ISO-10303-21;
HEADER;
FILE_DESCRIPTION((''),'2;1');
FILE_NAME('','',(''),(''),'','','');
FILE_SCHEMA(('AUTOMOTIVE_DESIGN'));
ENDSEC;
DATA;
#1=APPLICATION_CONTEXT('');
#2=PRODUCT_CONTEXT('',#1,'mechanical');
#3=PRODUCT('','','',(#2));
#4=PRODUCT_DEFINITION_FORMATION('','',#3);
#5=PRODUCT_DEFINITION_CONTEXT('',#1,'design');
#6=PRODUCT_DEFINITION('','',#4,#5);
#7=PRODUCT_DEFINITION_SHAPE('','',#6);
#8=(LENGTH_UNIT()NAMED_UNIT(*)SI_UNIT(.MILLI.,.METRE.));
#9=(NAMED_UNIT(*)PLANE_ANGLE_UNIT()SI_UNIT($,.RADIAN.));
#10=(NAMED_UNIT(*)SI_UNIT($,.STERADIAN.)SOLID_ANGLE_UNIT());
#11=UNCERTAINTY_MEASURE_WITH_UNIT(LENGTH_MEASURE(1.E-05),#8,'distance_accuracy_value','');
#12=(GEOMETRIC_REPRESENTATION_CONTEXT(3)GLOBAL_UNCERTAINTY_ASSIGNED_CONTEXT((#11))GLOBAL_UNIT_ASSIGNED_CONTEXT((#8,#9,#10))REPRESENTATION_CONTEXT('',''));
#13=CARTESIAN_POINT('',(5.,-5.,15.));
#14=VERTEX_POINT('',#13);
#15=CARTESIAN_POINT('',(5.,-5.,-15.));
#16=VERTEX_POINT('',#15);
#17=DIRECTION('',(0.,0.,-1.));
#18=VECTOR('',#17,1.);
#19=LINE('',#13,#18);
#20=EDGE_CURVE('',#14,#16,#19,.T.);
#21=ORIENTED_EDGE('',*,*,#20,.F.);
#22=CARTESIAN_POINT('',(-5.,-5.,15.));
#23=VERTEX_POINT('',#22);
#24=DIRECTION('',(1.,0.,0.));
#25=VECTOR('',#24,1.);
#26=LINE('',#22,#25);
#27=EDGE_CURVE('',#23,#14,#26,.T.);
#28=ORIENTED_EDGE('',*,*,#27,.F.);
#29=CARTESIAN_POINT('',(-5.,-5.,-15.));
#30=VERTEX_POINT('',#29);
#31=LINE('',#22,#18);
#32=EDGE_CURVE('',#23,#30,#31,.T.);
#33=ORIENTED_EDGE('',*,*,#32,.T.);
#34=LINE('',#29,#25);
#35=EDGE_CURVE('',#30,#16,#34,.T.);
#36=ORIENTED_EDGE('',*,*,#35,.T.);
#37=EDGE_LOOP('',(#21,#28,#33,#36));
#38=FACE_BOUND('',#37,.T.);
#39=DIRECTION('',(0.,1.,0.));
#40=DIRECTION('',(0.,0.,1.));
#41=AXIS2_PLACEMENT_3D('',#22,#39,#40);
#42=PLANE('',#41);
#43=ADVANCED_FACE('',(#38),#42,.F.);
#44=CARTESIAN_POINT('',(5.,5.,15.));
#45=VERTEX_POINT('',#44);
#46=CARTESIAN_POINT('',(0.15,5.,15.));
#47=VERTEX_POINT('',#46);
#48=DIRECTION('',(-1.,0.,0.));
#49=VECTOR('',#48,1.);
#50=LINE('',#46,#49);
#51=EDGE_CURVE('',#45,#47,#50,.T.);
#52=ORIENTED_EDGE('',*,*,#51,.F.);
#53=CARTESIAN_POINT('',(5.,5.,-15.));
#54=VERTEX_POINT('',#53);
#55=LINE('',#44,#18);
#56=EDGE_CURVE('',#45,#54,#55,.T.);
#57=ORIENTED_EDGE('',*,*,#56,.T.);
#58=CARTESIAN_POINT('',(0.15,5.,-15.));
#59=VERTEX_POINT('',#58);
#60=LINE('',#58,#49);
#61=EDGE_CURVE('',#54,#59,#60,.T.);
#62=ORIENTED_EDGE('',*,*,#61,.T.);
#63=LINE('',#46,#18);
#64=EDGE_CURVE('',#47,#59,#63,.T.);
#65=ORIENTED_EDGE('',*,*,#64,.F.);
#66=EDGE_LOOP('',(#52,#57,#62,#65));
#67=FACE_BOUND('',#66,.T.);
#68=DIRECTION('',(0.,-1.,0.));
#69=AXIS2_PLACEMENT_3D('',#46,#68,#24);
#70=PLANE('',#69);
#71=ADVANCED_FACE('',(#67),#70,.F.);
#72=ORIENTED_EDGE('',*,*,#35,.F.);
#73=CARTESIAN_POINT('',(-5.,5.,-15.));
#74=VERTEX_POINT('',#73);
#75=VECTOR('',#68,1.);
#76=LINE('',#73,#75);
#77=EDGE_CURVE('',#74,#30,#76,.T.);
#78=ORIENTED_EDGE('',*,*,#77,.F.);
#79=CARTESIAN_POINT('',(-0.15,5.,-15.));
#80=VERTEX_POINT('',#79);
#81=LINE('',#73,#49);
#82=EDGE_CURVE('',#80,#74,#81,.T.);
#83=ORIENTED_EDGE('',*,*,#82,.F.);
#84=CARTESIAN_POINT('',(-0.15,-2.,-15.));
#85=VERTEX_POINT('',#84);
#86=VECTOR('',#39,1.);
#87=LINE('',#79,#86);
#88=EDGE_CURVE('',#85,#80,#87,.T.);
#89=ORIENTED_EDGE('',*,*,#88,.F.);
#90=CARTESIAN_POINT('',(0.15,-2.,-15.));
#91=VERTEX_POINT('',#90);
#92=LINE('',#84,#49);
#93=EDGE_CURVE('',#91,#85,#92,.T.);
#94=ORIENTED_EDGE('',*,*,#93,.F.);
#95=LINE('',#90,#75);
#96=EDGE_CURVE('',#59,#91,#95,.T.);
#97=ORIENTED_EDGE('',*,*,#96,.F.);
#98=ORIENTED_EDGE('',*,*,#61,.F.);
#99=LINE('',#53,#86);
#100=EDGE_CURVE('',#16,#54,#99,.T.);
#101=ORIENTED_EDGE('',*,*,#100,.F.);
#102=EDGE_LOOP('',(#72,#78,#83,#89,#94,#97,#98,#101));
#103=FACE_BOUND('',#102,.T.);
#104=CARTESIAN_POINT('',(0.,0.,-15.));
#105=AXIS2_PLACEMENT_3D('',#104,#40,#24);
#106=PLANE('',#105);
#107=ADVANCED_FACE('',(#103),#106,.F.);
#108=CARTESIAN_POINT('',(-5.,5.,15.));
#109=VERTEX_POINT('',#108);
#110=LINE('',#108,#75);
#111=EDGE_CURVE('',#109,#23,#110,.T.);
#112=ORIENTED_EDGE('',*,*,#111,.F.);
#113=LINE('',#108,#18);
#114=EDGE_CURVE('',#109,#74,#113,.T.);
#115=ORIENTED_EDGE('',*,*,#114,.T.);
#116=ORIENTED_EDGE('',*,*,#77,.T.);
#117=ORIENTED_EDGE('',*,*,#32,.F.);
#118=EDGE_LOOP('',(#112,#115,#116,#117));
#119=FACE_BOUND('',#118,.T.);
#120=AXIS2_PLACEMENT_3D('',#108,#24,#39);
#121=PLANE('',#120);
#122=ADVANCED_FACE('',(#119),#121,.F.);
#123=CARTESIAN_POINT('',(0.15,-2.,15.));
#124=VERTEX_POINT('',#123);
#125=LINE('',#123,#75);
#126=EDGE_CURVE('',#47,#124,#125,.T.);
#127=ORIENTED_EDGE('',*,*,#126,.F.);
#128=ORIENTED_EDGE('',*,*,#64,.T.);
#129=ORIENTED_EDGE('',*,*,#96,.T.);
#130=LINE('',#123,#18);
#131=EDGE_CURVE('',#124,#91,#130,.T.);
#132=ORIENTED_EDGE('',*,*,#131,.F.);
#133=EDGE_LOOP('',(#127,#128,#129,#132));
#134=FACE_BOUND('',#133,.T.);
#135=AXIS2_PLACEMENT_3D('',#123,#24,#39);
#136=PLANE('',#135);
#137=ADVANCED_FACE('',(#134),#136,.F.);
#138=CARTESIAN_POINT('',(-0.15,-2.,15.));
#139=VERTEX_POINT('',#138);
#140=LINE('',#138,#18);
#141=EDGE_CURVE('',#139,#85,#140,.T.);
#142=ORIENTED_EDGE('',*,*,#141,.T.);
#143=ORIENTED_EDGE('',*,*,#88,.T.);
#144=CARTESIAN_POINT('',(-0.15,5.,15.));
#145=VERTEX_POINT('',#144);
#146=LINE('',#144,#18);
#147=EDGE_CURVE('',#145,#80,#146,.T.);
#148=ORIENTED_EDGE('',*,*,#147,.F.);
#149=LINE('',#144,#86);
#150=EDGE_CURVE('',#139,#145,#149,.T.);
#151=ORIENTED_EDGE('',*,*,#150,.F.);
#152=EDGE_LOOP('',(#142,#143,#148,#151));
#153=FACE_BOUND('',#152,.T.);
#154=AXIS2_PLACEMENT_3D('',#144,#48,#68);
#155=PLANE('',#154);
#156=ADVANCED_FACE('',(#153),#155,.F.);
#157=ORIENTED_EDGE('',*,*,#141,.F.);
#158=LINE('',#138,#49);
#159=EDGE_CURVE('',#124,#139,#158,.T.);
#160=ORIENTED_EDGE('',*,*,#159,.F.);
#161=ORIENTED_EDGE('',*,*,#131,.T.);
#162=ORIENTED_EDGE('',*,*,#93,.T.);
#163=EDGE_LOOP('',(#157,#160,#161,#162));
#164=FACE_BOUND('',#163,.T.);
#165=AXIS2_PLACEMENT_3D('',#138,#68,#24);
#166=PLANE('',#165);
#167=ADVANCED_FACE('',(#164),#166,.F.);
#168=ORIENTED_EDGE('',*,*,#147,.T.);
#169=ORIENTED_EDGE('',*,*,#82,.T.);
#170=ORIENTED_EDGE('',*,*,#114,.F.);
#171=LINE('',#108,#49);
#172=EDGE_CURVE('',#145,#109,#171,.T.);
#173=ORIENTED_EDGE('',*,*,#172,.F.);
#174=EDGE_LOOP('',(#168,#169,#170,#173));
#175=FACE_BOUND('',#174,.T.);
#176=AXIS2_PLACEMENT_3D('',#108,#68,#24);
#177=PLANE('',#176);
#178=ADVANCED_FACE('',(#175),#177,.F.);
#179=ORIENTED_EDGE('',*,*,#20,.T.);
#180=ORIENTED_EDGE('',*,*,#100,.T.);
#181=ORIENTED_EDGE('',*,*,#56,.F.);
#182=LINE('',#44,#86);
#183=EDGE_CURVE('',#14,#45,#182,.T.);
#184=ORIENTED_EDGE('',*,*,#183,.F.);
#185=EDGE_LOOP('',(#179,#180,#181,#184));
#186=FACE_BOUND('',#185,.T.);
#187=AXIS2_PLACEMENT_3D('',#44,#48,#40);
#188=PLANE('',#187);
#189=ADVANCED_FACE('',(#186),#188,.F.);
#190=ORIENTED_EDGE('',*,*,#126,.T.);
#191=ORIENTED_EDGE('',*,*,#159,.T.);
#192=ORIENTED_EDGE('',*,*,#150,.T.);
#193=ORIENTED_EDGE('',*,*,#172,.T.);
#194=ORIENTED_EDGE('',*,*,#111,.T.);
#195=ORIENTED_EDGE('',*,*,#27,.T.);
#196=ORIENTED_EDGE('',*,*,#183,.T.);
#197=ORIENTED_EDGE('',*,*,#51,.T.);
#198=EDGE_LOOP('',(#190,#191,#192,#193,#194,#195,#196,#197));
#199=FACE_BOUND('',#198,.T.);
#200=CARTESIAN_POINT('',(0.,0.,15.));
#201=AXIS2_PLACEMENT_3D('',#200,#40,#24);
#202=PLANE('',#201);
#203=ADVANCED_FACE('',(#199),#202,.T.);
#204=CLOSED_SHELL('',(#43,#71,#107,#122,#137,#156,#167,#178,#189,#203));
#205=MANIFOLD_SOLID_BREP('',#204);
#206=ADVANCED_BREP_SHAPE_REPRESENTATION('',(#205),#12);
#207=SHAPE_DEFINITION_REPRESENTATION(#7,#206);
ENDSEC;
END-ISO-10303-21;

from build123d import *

# Parameters (mm, degrees)
BOSS_EXTRUDE1_DEPTH = 15


with BuildPart() as part:
    # Sketch1 → Boss-Extrude1 (new, symmetric)
    with BuildSketch(Plane.XY):
        Polygon((-0.15, 5), (-0.15, -2), (0.15, -2), (0.15, 5), (5, 5), (5, -5), (-5, -5), (-5, 5), align=None)
    extrude(amount=BOSS_EXTRUDE1_DEPTH, both=True)


solid = part.part
